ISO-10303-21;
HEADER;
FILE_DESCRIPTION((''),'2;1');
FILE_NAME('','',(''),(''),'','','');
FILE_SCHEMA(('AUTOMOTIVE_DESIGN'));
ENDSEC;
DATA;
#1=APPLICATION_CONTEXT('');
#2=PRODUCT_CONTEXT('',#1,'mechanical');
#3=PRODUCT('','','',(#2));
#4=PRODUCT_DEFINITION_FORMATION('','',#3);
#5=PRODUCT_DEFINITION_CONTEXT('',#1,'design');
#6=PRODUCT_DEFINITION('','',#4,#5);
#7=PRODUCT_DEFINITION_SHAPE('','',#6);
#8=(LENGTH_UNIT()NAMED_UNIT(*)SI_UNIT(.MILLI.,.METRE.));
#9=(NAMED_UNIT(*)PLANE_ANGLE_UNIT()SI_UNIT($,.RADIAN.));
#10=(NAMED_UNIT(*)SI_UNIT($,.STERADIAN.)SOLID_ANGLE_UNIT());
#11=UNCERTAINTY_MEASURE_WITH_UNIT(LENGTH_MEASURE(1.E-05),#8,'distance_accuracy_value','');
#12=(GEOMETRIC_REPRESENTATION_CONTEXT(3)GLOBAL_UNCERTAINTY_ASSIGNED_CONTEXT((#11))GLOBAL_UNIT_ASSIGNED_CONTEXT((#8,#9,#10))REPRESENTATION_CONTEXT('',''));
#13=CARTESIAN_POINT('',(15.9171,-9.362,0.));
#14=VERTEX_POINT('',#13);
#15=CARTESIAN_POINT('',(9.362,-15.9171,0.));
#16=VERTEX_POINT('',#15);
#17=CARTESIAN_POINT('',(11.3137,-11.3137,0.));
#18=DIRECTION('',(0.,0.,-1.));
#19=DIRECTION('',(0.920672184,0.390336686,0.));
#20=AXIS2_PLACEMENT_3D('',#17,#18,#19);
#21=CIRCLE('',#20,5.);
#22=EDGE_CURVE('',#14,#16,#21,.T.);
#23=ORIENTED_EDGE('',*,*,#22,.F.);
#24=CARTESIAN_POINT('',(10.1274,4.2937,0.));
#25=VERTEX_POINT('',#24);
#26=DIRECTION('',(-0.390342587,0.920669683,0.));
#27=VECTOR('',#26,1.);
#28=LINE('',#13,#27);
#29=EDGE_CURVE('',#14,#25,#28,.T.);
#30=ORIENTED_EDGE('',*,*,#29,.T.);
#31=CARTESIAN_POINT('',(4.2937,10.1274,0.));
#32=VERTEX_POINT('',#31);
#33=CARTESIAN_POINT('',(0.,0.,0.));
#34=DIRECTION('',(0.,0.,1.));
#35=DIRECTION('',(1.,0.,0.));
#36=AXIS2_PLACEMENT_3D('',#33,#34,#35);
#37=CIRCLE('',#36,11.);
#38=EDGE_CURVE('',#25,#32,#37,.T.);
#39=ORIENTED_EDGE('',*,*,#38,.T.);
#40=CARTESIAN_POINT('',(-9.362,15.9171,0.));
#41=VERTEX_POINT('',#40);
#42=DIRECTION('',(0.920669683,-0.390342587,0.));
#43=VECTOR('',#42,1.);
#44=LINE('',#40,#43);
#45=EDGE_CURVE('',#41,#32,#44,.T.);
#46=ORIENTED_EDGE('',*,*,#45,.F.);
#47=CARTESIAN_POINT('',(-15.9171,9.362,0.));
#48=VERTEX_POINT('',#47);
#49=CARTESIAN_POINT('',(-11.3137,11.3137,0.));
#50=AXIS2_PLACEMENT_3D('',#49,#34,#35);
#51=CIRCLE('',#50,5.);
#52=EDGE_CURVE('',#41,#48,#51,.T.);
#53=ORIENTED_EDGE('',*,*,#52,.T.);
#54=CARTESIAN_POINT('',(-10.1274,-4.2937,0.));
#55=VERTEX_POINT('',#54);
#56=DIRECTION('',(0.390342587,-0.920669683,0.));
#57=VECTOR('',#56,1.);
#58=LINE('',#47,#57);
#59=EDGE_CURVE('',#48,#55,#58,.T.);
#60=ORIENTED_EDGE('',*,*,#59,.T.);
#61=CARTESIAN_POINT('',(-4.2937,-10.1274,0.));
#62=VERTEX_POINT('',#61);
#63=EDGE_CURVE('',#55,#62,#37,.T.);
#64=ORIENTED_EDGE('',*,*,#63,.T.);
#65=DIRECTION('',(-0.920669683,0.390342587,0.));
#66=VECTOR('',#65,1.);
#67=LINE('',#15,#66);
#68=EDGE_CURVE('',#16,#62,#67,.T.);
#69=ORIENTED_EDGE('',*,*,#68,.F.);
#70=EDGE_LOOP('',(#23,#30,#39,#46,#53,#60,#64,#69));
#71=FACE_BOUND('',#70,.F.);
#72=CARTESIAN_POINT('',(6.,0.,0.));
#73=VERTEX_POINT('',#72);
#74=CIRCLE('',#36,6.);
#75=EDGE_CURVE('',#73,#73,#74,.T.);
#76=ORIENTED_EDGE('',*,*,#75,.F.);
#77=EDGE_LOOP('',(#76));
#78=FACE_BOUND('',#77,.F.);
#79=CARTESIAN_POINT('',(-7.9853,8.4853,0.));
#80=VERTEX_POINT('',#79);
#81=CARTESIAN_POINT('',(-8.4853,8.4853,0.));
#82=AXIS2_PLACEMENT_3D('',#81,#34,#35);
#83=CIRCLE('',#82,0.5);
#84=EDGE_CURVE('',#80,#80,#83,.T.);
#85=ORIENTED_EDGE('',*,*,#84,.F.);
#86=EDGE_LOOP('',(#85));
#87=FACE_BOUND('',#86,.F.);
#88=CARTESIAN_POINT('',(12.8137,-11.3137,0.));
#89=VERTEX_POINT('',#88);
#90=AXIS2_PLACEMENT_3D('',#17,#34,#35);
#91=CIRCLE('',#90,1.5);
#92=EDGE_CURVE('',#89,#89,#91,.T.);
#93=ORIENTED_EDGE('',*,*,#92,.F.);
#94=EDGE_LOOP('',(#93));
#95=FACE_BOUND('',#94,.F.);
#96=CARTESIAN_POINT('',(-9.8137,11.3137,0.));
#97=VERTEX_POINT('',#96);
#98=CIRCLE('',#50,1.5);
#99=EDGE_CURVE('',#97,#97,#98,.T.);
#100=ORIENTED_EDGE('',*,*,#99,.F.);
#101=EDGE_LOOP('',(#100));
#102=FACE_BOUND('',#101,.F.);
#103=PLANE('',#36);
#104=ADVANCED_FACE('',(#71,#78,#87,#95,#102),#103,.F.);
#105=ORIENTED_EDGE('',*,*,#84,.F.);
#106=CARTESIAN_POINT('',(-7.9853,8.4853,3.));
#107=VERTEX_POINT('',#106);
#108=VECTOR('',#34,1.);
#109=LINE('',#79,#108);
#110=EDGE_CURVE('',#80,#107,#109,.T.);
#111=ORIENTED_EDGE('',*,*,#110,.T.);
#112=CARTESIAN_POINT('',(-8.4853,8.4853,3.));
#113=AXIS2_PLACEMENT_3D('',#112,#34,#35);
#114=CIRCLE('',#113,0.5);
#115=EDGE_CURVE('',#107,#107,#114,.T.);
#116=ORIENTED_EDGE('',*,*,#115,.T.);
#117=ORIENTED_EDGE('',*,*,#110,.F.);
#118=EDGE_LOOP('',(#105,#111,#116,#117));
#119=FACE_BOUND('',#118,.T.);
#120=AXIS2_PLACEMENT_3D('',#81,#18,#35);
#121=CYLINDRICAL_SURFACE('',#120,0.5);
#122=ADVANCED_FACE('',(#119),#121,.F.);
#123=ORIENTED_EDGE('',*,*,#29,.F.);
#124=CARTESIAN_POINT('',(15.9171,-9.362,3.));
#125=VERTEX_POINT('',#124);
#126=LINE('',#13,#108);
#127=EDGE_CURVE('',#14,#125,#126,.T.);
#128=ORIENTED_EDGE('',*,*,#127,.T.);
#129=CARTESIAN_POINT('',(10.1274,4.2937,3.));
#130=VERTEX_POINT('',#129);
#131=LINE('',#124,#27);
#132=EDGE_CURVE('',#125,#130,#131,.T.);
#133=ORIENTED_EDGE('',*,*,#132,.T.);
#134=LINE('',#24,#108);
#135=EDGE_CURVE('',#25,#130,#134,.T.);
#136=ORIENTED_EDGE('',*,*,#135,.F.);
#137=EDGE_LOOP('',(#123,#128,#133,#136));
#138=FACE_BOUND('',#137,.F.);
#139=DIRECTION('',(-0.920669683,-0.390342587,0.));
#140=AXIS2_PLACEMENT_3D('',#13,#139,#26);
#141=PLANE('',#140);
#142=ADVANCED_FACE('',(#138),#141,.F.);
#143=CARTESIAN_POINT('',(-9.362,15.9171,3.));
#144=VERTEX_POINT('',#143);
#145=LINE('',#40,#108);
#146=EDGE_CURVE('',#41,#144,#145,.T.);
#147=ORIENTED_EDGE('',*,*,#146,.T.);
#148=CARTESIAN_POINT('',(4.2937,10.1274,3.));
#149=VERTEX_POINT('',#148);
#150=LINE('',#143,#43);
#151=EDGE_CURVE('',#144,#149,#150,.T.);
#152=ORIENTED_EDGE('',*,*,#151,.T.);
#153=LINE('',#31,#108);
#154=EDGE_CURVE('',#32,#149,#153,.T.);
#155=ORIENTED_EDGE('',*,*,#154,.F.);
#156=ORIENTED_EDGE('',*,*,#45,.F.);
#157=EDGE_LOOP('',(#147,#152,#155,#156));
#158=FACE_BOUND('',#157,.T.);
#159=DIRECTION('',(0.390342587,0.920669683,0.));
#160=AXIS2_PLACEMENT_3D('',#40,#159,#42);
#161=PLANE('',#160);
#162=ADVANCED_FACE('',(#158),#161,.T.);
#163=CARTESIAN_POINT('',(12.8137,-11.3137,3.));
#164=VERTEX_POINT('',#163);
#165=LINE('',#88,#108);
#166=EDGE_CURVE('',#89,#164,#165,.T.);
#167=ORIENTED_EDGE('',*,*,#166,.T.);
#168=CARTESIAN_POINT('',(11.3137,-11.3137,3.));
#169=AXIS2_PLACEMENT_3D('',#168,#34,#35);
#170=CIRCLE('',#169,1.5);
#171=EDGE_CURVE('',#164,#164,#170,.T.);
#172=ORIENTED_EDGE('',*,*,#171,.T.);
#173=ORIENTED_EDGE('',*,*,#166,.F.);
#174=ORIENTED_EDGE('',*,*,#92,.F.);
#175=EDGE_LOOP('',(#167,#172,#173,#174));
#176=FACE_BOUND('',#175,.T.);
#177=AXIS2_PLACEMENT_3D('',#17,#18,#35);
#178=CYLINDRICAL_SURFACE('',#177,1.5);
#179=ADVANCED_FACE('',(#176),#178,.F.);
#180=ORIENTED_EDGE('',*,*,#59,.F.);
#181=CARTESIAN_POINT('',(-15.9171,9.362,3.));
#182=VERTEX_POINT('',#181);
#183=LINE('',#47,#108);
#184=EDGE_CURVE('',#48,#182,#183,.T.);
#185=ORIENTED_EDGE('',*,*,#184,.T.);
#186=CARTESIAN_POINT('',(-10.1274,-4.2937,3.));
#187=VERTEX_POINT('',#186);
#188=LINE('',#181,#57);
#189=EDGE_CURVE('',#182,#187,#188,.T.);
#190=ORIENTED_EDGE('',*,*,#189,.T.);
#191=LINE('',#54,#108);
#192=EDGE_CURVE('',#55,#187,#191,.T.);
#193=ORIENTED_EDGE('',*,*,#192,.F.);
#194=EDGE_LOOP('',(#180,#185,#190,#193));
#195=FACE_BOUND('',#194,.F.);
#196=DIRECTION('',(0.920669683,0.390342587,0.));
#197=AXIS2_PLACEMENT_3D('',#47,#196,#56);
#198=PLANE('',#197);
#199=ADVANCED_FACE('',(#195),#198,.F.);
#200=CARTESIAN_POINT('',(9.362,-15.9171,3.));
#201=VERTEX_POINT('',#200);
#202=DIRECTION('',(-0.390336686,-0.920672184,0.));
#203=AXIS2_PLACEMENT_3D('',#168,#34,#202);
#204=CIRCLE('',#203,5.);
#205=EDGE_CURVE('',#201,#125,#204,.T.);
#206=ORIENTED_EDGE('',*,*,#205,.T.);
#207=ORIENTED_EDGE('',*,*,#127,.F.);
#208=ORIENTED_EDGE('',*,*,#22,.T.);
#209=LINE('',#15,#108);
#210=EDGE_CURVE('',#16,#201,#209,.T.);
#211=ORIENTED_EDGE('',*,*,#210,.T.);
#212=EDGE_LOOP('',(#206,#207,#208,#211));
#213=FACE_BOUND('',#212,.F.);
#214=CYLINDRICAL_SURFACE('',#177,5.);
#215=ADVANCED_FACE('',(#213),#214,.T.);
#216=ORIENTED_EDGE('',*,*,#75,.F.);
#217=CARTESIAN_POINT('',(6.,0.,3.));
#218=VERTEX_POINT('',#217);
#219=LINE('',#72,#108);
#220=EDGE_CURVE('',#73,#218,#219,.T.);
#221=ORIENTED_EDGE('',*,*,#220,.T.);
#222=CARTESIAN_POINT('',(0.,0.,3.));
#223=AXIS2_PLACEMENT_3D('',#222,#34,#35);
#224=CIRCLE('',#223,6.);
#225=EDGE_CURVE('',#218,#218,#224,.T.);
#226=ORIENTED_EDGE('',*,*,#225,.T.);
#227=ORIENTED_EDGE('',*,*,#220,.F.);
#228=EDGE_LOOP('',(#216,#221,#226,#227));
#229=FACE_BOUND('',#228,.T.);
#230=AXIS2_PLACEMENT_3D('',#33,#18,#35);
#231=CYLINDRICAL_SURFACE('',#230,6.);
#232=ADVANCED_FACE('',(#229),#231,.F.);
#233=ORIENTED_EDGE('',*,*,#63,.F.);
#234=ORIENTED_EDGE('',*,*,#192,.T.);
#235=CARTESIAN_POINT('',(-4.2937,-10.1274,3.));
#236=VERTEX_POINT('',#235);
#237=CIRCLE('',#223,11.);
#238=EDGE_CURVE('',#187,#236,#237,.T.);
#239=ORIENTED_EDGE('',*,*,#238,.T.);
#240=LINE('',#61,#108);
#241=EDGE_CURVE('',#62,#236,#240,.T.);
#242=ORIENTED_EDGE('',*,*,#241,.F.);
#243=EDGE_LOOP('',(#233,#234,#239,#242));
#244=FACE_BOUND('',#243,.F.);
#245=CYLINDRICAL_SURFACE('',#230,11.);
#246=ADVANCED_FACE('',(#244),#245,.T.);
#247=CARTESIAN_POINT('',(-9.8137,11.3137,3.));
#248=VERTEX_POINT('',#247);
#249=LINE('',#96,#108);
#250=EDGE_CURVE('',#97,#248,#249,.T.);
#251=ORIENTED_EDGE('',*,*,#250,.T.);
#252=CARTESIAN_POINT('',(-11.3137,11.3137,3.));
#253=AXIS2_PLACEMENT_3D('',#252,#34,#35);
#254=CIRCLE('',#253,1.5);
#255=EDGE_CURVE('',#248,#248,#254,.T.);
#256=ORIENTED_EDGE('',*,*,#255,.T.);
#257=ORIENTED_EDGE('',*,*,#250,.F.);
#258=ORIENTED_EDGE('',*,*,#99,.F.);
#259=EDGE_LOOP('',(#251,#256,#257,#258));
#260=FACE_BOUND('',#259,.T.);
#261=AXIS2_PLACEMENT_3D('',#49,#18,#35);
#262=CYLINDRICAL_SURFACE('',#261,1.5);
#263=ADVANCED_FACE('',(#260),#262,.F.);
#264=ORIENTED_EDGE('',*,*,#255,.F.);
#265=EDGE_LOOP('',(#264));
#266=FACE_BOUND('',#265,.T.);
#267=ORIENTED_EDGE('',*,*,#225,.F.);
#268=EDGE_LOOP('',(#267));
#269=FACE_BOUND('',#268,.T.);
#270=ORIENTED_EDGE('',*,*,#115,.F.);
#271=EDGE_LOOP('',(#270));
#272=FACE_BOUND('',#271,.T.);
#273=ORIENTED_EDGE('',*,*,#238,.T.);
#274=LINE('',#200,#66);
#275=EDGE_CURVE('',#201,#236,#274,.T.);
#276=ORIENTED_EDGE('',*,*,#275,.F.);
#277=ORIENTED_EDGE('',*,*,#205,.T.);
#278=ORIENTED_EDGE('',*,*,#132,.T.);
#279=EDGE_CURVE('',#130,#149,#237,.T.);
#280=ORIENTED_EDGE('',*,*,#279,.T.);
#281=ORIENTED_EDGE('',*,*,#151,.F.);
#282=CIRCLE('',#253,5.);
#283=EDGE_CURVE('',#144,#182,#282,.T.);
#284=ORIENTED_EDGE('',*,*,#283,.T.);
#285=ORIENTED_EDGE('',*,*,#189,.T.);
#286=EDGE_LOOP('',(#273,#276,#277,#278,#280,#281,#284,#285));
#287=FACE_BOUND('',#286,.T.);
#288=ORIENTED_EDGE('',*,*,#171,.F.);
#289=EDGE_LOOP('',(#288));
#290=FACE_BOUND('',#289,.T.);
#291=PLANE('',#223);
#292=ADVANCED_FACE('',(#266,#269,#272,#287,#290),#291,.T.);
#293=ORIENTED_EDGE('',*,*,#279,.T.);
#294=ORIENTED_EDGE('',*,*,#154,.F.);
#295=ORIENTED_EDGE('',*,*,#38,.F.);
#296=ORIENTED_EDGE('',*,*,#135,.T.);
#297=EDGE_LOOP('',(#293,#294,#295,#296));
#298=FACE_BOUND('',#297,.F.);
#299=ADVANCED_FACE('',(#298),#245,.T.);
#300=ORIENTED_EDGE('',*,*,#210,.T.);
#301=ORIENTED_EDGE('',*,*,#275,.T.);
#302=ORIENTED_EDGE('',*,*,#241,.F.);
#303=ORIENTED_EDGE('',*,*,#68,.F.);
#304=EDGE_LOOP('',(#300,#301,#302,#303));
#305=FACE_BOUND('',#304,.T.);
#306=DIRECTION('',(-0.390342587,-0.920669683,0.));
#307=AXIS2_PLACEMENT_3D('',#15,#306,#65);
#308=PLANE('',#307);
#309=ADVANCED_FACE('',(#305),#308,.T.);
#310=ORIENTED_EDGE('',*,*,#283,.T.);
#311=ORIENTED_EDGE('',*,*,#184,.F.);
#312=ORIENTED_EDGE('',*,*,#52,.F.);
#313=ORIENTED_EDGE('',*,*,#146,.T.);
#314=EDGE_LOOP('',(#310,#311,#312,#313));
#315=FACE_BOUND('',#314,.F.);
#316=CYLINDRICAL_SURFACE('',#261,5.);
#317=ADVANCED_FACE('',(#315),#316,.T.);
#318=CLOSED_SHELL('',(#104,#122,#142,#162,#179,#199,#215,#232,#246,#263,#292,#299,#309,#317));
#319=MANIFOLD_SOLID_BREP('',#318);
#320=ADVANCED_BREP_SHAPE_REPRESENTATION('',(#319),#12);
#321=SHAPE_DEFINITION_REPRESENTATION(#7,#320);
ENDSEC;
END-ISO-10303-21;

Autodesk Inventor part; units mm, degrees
ref_plane "YZ Plane" through (0, 0, 0) normal (1, 0, 0) x (0, 1, 0)
ref_plane "XZ Plane" through (0, 0, 0) normal (0, 1, 0) x (-1, 0, 0)
ref_plane "XY Plane" through (0, 0, 0) normal (0, 0, 1) x (1, 0, 0)
sketch "ChainTensionerMount" plane through (0, 0, 0) normal (0, 0, 1) x (1, 0, 0)
  circle A0 centre (0, 0) radius 11
  circle A1 centre (-11.3137, 11.3137) radius 5
  line L0 (-9.362, 15.9171) -> (4.2937, 10.1274)
  line L1 (-15.9171, 9.362) -> (-10.1274, -4.2937)
  line L2 (-11.3137, 11.3137) -> (0, 0) construction
  line L3 (-22.8392, 0) -> (22.8392, 0) construction
  circle A2 centre (0, 0) radius 6
  circle A3 centre (-11.3137, 11.3137) radius 1.5
  circle A4 centre (-8.4853, 8.4853) radius 0.5
  line L4 (-7.7782, -7.7782) -> (7.7782, 7.7782) construction
  circle A5 centre (11.3137, -11.3137) radius 5
  line L5 (15.9171, -9.362) -> (10.1274, 4.2937)
  line L6 (9.362, -15.9171) -> (-4.2937, -10.1274)
  circle A6 centre (11.3137, -11.3137) radius 1.5
  point P0 (-4.2937, -10.1274)
  dimension "d0" = 22
  dimension "d1" = 10
  dimension "d2" = 45
  dimension "d3" = 12
  dimension "d5" = 3
  dimension "d6" = 1
  dimension "d7" = 12
extrude "Plate1" add sketch "ChainTensionerMount" along normal blind 3
equation "\"d4\" = Thickness"
equation "\"BendRadius\" = Thickness"
equation "\"BendReliefWidth\" = Thickness"
equation "\"BendReliefDepth\" = 0.5 * Thickness"
equation "\"CornerReliefSize\" = 4 * Thickness"
equation "\"MinimumRemnant\" = 2 * Thickness"
equation "\"TransitionRadius\" = BendRadius"
equation "\"JacobiRadiusSize\" = BendRadius"
equation "\"GapSize\" = Thickness"
equation "\"Thickness\" = 3"
properties part number "ChainTensionerMount"
